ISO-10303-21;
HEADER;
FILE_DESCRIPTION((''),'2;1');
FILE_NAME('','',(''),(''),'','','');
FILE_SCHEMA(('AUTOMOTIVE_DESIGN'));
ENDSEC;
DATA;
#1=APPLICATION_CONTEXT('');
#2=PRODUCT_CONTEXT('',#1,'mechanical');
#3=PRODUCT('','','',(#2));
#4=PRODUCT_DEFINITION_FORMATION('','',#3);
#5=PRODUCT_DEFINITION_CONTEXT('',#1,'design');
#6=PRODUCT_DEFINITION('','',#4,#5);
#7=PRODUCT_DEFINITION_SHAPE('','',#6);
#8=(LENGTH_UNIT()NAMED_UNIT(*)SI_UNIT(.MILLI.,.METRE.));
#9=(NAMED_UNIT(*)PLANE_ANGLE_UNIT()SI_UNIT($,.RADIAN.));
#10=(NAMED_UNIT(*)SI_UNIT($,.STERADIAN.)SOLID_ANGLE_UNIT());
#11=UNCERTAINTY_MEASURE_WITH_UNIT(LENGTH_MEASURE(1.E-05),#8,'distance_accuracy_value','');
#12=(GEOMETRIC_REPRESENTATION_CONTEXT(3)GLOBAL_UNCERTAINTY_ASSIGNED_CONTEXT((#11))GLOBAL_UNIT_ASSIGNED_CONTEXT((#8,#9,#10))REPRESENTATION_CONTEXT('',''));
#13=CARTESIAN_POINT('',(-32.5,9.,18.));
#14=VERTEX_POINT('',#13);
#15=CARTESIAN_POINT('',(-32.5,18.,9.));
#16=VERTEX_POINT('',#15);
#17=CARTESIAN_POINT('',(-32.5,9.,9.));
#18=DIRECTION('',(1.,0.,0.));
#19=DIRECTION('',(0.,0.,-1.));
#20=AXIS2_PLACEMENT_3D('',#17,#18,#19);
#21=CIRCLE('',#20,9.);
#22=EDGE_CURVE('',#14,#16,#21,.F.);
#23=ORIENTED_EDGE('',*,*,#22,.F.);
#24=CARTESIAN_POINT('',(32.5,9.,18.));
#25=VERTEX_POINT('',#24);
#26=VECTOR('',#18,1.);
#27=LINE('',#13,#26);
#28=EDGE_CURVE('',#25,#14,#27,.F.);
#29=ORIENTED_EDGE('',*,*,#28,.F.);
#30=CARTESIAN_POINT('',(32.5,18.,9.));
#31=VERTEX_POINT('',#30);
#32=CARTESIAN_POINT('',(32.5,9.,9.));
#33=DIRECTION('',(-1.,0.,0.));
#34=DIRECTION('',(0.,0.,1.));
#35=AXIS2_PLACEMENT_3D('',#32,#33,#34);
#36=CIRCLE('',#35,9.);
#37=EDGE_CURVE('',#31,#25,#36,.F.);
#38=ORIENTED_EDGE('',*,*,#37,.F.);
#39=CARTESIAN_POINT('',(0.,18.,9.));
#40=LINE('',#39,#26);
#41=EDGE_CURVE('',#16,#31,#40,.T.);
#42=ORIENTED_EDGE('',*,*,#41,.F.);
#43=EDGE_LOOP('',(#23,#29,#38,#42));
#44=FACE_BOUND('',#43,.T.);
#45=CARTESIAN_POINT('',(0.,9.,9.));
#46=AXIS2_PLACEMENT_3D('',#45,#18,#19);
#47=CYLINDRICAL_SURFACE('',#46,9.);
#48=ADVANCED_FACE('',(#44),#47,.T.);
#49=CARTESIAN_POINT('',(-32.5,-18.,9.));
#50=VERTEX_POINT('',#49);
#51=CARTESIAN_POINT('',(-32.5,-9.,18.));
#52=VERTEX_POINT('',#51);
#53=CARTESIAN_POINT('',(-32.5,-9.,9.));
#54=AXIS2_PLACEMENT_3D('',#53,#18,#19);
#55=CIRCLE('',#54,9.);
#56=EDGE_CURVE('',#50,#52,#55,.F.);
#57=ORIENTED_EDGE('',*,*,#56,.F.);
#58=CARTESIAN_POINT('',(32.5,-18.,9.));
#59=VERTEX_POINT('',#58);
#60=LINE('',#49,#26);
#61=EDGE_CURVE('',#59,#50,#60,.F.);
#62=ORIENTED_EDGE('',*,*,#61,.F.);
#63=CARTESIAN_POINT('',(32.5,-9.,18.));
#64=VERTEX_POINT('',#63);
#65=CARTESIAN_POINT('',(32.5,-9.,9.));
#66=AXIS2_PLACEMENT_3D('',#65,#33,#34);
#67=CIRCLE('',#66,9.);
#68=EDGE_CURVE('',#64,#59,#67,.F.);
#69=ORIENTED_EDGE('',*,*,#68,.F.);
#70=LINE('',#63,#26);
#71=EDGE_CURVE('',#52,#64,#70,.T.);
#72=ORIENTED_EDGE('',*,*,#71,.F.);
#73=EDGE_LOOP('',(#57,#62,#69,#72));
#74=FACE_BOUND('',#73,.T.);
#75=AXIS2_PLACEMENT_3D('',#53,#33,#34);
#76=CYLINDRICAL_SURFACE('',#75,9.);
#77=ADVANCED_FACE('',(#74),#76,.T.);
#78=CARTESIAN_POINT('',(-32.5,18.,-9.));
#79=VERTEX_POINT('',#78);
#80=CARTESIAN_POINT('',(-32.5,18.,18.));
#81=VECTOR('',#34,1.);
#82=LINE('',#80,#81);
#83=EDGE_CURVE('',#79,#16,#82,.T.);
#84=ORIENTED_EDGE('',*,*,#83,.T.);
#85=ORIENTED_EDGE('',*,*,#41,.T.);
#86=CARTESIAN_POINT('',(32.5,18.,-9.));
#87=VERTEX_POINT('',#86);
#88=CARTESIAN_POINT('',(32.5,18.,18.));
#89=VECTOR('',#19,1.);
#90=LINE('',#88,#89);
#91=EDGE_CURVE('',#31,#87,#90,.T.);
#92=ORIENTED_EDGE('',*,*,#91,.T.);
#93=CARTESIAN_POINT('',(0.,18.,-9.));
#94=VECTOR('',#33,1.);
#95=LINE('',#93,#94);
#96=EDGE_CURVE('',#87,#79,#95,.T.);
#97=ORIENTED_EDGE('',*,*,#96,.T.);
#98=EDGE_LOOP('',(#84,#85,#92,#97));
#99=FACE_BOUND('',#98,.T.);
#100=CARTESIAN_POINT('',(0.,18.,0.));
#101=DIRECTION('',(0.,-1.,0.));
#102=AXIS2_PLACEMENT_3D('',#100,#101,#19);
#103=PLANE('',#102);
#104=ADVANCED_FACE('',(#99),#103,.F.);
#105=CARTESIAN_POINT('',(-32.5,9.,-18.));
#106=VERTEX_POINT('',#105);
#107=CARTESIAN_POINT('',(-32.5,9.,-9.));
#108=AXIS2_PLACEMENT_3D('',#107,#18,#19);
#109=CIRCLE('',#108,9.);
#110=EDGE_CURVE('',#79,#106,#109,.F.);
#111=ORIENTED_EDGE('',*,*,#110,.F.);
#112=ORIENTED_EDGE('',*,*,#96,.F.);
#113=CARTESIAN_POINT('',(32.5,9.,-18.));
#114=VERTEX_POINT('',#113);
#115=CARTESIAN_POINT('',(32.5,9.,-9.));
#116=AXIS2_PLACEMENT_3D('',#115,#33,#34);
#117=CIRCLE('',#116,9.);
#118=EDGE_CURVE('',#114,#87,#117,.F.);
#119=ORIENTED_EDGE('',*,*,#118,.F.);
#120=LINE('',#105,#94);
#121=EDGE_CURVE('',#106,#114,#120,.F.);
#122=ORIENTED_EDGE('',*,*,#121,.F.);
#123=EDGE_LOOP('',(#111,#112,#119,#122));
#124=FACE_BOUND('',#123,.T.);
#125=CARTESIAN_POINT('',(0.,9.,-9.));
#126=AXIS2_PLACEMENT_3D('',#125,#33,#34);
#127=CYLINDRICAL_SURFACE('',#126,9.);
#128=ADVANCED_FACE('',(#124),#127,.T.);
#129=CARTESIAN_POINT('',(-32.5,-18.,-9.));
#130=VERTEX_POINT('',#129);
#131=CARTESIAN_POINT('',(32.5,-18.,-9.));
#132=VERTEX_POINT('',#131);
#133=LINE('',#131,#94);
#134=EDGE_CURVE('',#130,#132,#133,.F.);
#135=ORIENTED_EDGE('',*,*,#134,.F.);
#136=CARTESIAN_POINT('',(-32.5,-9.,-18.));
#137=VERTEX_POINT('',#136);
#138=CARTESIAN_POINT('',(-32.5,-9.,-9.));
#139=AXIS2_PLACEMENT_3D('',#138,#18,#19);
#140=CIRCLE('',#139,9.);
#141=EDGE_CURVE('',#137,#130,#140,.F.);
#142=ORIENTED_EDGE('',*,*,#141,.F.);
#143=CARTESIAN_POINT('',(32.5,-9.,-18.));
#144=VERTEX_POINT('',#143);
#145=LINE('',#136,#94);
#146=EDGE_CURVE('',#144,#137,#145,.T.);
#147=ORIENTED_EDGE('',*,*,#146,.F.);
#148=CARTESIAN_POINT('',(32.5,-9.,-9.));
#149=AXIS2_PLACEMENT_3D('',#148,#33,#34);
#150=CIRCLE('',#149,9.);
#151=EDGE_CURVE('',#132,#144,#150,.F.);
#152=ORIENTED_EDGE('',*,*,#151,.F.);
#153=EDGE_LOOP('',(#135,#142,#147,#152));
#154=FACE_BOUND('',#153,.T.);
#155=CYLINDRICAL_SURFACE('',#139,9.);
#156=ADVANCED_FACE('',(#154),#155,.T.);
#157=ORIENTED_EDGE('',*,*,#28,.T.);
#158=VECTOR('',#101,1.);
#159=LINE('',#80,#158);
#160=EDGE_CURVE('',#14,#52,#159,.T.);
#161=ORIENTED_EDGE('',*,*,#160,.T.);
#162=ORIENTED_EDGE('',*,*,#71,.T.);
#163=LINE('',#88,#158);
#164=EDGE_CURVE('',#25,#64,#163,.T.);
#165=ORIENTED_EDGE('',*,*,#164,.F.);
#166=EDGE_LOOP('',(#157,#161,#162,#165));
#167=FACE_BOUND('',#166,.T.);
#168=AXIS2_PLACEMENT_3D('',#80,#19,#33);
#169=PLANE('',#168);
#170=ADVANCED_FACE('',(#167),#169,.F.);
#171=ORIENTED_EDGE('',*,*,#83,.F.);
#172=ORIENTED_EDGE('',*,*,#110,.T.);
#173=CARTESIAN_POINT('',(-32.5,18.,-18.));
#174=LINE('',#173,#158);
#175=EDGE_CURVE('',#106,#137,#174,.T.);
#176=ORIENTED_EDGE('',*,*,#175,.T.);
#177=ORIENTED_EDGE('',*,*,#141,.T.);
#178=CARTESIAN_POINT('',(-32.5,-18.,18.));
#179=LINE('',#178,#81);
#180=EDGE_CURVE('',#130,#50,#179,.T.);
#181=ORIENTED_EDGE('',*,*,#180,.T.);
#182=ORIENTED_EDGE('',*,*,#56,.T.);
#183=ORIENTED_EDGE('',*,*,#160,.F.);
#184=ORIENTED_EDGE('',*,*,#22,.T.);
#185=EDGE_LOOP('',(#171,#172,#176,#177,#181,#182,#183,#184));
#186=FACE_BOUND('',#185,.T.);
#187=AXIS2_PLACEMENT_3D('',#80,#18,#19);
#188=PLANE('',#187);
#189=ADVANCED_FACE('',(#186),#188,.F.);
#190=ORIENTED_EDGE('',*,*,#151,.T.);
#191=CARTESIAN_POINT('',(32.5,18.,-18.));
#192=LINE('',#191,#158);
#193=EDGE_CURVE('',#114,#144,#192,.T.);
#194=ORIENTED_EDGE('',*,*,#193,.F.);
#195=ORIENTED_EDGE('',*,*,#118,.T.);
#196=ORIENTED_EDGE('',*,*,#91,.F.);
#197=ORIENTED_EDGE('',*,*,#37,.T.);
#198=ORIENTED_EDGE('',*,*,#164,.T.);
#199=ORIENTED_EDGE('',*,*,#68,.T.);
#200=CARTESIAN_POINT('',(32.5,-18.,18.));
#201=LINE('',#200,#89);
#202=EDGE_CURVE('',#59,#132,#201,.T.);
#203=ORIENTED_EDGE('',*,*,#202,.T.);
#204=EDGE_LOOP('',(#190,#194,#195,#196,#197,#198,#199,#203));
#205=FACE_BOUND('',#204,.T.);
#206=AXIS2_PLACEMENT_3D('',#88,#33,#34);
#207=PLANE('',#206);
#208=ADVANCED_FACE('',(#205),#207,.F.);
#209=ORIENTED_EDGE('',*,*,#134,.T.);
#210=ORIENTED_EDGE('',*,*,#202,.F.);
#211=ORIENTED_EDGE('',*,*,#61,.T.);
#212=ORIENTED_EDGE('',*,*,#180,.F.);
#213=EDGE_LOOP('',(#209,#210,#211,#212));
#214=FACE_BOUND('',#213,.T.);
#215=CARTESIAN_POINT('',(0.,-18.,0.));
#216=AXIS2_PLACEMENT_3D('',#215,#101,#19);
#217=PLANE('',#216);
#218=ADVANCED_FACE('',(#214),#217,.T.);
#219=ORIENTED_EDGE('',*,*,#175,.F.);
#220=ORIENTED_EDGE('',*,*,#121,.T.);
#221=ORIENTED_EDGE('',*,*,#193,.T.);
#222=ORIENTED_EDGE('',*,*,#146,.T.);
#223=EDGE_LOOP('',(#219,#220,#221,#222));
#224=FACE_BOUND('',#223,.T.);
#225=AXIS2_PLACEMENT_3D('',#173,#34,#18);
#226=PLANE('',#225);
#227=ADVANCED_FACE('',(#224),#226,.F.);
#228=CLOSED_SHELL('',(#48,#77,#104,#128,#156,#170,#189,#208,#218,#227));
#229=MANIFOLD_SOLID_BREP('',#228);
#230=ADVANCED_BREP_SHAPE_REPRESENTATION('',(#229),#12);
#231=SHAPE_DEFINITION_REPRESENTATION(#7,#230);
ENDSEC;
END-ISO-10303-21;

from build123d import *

# Parameters (mm, degrees)
SKETCH1_W           = 65
SKETCH1_H           = 36
BOSS_EXTRUDE1_DEPTH = 18
FILLET1_R           = 9


with BuildPart() as part:
    # Sketch1 → Boss-Extrude1 (new, symmetric)
    with BuildSketch(Plane(origin=(0, 0, 0), x_dir=(1, 0, 0), z_dir=(0, 1, 0))):
        Rectangle(SKETCH1_W, SKETCH1_H)
    extrude(amount=BOSS_EXTRUDE1_DEPTH, both=True)

    # Fillet1
    fillet1_edges = [part.edges().sort_by_distance(p)[0] for p in [
        (0, 18, 18),
        (0, -18, 18),
        (0, -18, -18),
        (0, 18, -18),
    ]]
    fillet(fillet1_edges, radius=FILLET1_R)


solid = part.part
